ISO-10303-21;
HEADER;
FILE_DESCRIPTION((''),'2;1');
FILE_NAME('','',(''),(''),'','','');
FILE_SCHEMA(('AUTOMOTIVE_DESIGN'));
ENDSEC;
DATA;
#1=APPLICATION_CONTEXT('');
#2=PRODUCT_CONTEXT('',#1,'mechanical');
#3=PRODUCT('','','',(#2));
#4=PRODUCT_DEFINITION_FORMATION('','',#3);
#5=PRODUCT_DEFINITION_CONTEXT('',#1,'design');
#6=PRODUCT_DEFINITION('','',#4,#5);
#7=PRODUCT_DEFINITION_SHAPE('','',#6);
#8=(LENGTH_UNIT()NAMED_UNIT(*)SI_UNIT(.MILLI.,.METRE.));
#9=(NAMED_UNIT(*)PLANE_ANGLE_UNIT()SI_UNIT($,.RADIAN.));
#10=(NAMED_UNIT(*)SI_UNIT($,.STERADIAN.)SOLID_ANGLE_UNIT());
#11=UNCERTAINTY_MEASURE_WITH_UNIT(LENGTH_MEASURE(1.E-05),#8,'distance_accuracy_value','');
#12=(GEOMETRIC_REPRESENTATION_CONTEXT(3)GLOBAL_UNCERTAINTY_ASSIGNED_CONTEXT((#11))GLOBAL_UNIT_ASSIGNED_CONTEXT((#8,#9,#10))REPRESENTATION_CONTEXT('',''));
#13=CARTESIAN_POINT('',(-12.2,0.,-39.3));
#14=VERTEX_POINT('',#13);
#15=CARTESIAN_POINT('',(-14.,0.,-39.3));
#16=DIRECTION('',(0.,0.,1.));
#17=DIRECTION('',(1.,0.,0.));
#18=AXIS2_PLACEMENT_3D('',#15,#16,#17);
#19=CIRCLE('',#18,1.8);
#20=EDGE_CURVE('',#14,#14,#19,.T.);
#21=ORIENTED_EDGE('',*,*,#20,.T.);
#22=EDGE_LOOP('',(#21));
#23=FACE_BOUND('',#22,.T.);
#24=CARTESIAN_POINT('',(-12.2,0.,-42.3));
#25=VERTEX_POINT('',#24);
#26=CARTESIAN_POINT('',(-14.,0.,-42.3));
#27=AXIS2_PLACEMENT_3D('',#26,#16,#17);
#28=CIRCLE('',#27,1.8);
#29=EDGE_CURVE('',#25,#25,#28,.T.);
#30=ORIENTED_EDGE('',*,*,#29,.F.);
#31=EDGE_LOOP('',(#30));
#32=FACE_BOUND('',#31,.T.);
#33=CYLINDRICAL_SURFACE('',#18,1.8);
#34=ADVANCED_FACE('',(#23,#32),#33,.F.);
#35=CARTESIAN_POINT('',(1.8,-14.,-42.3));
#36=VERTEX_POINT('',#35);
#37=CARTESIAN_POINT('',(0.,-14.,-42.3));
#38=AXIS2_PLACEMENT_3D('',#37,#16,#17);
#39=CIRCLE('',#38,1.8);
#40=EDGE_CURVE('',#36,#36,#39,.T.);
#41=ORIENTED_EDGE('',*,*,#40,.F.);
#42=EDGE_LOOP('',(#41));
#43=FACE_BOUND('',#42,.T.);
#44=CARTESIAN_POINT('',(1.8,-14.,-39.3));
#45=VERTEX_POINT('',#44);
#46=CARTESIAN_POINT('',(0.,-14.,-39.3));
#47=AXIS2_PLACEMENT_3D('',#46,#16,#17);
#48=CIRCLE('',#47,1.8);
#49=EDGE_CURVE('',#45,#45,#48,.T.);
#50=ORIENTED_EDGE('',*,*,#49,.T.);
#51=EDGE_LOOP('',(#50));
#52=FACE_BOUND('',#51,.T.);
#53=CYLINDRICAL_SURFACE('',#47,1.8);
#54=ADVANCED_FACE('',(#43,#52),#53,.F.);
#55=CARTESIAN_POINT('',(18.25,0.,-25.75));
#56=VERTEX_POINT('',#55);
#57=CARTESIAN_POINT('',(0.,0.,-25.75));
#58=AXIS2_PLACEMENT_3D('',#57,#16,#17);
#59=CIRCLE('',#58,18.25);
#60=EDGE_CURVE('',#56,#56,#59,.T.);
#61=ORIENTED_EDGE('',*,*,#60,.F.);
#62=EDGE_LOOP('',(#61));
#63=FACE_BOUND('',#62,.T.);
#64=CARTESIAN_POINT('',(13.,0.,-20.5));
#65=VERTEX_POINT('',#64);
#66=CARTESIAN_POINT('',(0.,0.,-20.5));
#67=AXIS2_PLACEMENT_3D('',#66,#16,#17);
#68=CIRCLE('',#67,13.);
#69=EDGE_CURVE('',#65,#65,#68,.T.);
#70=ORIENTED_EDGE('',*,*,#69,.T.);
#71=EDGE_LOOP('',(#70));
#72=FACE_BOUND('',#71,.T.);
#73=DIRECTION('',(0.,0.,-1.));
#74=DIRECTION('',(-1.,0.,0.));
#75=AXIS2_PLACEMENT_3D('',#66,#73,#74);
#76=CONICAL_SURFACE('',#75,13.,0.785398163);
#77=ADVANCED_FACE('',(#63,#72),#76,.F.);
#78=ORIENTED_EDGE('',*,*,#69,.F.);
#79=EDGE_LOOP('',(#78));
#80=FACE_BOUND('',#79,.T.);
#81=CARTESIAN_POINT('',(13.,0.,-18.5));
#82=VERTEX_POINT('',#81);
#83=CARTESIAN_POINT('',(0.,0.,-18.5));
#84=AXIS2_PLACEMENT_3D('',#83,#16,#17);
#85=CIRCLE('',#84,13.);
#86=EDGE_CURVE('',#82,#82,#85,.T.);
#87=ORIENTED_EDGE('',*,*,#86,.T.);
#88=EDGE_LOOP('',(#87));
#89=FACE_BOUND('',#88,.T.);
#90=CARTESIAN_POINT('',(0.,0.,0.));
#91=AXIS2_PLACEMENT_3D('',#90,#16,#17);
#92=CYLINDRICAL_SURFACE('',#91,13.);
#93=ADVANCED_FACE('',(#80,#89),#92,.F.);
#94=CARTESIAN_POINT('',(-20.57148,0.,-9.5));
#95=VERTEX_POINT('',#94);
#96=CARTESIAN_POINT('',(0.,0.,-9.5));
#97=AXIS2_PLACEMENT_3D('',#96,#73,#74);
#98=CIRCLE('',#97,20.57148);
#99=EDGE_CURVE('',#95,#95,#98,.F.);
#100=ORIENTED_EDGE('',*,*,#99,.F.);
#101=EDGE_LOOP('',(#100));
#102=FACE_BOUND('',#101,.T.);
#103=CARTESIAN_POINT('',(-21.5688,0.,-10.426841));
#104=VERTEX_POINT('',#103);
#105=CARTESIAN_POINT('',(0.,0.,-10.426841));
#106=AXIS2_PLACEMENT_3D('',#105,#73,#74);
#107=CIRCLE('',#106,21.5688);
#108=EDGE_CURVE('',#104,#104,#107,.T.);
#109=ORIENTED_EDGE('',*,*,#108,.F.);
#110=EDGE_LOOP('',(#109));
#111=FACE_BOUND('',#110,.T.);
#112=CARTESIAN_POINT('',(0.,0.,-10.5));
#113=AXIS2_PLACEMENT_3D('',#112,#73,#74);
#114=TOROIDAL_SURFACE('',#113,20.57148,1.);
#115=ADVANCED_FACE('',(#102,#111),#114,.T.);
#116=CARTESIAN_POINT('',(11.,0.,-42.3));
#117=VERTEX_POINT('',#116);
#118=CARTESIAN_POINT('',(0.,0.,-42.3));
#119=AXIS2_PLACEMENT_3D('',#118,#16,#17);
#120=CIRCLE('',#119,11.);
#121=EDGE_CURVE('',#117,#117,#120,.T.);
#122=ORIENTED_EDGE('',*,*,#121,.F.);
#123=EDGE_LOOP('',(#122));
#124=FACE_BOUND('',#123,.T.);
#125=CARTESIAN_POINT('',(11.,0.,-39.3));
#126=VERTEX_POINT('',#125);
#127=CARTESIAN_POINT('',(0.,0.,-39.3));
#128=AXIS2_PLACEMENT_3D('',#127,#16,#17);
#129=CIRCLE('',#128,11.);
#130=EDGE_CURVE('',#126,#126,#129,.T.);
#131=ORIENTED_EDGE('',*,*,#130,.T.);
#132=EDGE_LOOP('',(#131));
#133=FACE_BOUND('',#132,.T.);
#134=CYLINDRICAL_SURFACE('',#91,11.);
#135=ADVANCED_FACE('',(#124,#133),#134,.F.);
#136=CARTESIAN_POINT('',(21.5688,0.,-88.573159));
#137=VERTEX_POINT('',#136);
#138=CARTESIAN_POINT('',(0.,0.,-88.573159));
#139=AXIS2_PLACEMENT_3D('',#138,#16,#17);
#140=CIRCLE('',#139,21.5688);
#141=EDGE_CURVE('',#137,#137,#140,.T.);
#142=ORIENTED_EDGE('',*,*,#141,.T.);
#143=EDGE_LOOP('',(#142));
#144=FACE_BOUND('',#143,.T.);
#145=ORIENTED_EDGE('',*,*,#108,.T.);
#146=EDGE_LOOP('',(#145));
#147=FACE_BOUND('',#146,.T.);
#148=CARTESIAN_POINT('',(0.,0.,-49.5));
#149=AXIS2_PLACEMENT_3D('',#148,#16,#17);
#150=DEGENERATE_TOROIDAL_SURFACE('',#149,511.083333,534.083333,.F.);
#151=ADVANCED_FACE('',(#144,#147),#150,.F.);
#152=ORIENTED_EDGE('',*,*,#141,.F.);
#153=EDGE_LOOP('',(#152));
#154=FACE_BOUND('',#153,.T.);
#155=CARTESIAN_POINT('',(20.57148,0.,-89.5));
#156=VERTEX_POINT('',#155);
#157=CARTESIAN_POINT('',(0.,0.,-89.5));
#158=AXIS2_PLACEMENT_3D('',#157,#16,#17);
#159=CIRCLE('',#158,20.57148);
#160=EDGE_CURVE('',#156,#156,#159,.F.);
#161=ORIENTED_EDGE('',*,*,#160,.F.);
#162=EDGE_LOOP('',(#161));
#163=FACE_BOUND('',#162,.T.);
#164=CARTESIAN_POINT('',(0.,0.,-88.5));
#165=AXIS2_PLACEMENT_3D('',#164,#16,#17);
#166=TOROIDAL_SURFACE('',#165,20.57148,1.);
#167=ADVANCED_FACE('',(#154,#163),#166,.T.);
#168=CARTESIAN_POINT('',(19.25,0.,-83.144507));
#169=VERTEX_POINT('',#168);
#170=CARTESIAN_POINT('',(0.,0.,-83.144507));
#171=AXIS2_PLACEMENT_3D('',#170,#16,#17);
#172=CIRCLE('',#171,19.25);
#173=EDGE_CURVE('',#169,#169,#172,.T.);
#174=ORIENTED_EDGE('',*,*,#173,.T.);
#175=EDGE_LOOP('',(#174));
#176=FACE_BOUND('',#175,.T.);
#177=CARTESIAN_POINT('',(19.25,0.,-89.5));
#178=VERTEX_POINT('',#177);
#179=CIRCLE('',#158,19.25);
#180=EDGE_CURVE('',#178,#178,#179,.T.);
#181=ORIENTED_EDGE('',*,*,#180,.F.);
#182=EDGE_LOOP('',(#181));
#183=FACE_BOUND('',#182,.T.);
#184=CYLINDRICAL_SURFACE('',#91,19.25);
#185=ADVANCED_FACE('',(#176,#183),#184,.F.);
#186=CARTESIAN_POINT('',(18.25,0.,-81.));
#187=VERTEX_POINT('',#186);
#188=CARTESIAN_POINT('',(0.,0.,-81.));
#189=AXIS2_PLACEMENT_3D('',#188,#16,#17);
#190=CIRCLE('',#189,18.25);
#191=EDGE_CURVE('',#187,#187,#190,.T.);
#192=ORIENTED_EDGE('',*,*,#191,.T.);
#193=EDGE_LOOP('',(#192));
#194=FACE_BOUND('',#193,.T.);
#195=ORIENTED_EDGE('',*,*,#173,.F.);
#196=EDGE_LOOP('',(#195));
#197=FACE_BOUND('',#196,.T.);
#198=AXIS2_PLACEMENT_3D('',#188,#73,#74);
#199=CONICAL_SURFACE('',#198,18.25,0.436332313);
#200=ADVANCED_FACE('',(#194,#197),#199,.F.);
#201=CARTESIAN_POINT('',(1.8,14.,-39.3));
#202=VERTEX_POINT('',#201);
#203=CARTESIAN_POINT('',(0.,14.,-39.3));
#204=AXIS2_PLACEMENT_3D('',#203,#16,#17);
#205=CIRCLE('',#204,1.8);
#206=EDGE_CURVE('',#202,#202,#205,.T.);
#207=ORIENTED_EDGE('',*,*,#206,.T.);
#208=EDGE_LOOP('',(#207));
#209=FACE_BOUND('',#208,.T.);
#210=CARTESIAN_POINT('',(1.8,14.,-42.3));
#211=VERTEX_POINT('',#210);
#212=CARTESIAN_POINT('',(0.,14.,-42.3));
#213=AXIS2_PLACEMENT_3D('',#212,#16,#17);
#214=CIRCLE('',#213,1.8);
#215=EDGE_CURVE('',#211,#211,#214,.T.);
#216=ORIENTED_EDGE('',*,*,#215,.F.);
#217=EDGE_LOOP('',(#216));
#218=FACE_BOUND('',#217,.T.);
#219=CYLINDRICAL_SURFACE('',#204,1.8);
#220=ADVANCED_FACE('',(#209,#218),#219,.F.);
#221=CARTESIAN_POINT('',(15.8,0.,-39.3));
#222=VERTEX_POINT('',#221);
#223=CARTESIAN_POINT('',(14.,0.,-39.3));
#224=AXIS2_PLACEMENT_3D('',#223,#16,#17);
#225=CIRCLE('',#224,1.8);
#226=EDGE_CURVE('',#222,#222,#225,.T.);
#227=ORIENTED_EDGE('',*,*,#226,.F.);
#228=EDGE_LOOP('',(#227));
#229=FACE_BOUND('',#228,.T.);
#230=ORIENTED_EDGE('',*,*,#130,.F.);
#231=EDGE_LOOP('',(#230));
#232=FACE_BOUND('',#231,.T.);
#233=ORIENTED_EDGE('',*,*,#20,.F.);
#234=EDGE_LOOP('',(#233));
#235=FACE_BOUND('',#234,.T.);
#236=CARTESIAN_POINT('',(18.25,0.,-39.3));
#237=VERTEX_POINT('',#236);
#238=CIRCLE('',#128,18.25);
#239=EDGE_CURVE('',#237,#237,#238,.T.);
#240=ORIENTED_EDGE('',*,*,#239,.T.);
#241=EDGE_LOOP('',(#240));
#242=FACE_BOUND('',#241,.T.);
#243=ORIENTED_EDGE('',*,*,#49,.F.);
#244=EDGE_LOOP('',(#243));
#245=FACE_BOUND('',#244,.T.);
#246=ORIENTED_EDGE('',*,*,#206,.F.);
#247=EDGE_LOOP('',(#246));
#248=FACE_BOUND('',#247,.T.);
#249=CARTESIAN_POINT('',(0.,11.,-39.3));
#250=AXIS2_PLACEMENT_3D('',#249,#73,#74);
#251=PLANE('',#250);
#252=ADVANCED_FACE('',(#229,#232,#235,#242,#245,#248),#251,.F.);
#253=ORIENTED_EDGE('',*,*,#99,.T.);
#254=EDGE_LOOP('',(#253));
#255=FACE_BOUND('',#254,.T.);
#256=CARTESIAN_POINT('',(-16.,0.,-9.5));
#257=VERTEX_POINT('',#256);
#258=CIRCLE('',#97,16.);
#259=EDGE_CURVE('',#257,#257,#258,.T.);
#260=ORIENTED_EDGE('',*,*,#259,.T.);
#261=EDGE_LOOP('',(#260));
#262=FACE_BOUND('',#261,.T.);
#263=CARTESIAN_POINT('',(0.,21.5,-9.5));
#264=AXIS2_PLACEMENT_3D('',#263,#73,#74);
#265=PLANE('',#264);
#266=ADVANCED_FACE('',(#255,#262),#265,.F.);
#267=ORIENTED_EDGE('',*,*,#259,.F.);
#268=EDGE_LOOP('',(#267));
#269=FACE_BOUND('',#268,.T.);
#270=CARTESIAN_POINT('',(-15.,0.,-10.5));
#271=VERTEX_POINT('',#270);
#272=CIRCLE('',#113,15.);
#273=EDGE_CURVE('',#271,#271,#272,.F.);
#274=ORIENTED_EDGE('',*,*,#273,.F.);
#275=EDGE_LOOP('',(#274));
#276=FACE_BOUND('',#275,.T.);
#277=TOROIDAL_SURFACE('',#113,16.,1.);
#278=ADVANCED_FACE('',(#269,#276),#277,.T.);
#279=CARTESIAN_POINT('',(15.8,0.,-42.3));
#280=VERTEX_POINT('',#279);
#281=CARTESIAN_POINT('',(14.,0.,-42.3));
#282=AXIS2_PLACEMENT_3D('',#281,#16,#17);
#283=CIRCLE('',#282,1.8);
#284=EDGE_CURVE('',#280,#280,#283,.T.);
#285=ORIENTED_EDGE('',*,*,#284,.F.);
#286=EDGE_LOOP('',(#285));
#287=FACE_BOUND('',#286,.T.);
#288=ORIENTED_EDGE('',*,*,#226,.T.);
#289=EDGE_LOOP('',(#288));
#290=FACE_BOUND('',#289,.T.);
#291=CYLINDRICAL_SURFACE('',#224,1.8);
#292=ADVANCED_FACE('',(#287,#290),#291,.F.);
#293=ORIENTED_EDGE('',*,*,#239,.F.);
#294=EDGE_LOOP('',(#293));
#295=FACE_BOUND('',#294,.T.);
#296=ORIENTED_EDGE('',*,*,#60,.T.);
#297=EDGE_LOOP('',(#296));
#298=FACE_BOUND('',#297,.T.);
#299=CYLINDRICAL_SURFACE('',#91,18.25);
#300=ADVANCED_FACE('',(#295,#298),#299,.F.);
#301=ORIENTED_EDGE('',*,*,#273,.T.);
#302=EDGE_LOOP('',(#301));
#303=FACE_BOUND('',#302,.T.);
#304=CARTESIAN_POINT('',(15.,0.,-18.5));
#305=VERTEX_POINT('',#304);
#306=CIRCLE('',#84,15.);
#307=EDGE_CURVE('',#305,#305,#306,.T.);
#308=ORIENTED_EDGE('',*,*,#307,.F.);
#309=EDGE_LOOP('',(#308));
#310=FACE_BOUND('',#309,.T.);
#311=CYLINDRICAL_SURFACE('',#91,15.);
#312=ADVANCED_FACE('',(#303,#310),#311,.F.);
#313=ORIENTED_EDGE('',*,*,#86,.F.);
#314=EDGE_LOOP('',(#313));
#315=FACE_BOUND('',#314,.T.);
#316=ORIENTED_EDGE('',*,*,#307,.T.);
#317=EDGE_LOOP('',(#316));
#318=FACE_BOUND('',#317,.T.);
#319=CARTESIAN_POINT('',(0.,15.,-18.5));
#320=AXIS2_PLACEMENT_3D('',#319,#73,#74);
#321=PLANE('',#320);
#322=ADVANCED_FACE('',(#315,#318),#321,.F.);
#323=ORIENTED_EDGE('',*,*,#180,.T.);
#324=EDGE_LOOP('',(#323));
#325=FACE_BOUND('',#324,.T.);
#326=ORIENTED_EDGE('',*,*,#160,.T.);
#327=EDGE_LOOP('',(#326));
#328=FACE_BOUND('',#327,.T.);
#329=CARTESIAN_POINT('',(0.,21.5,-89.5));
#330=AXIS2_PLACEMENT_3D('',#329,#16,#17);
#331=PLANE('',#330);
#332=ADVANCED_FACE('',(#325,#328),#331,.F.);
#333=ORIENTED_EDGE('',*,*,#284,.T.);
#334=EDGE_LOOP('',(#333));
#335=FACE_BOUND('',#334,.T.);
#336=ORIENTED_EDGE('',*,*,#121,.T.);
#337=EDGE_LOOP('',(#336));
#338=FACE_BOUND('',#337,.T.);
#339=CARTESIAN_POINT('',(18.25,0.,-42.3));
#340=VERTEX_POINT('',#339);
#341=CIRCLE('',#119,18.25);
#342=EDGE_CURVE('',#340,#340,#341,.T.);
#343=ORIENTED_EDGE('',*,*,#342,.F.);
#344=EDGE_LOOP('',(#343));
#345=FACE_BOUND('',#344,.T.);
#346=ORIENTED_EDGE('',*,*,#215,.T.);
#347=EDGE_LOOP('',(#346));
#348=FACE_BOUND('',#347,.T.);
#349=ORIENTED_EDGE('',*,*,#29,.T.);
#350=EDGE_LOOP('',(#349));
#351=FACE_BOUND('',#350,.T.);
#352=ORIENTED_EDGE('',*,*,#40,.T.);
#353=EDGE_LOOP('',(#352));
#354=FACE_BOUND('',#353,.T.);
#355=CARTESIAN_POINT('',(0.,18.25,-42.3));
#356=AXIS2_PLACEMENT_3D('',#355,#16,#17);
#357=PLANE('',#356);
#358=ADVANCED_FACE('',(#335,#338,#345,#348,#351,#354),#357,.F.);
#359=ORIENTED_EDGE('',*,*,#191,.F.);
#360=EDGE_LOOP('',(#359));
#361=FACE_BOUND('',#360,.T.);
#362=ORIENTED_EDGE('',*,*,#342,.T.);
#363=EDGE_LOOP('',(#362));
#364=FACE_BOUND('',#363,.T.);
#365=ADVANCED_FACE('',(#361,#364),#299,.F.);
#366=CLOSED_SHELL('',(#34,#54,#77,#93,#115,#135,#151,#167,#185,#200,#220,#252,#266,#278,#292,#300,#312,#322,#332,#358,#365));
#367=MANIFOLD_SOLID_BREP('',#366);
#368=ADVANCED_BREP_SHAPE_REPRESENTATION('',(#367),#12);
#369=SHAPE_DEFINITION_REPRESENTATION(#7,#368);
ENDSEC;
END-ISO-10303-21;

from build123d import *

# Parameters (mm, degrees)
KREISMUSTER2_COUNT = 4
VERRUNDUNG1_R      = 1


with BuildPart() as part:
    # Skizze1 → Rotation1 (revolve)
    with BuildSketch(Plane(origin=(0, 0, 0), x_dir=(0, 0, -1), z_dir=(1, 0, 0)), mode=Mode.PRIVATE) as rotation1_sk:
        with BuildLine():
            Line((89.5, 21.5), (89.5, 19.25))
            Line((89.5, 19.25), (83.144506921, 19.25))
            Line((83.144506921, 19.25), (81, 18.25))
            Line((81, 18.25), (42.3, 18.25))
            Line((42.3, 18.25), (42.3, 11))
            Line((42.3, 11), (39.3, 11))
            Line((39.3, 11), (39.3, 18.25))
            Line((39.3, 18.25), (25.75, 18.25))
            Line((25.75, 18.25), (20.5, 13))
            Line((20.5, 13), (18.5, 13))
            Line((18.5, 13), (18.5, 15))
            Line((18.5, 15), (9.5, 15))
            Line((9.5, 15), (9.5, 21.5))
            ThreePointArc((9.5, 21.5), (49.5, 23), (89.5, 21.5))
        make_face()
    revolve(rotation1_sk.sketch.rotate(Axis((0, 0, 0), (0, 0, -1)), 90), axis=Axis((0, 0, 0), (0, 0, -1)))

    # Skizze5 → Durchgangsloch für M31 (revolve, cut)
    with BuildSketch(Plane(origin=(0, 14, -39.3), x_dir=(0, -1, 0), z_dir=(1, 0, 0))):
        Polygon((0, 0), (0, 10.581549114), (1.8, 9.5), (1.8, 0), align=None)
    durchgangsloch_f_r_m31 = revolve(axis=Axis((0, 14, -32.95), (0, 0, -1)), mode=Mode.SUBTRACT)

    # Kreismuster2: Durchgangsloch für M31 ×4 about axis
    kreismuster2_axis = Axis((0, 0, 0), (0, 0, 1))
    for i in range(1, KREISMUSTER2_COUNT):
        add(durchgangsloch_f_r_m31.rotate(kreismuster2_axis, i * 360 / KREISMUSTER2_COUNT), mode=Mode.SUBTRACT)

    # Verrundung1
    verrundung1_edges = [part.edges().sort_by_distance(p)[0] for p in [
        (-21.5, 0, -89.5),
        (-15, 0, -9.5),
        (-21.5, 0, -9.5),
    ]]
    fillet(verrundung1_edges, radius=VERRUNDUNG1_R)


solid = part.part
